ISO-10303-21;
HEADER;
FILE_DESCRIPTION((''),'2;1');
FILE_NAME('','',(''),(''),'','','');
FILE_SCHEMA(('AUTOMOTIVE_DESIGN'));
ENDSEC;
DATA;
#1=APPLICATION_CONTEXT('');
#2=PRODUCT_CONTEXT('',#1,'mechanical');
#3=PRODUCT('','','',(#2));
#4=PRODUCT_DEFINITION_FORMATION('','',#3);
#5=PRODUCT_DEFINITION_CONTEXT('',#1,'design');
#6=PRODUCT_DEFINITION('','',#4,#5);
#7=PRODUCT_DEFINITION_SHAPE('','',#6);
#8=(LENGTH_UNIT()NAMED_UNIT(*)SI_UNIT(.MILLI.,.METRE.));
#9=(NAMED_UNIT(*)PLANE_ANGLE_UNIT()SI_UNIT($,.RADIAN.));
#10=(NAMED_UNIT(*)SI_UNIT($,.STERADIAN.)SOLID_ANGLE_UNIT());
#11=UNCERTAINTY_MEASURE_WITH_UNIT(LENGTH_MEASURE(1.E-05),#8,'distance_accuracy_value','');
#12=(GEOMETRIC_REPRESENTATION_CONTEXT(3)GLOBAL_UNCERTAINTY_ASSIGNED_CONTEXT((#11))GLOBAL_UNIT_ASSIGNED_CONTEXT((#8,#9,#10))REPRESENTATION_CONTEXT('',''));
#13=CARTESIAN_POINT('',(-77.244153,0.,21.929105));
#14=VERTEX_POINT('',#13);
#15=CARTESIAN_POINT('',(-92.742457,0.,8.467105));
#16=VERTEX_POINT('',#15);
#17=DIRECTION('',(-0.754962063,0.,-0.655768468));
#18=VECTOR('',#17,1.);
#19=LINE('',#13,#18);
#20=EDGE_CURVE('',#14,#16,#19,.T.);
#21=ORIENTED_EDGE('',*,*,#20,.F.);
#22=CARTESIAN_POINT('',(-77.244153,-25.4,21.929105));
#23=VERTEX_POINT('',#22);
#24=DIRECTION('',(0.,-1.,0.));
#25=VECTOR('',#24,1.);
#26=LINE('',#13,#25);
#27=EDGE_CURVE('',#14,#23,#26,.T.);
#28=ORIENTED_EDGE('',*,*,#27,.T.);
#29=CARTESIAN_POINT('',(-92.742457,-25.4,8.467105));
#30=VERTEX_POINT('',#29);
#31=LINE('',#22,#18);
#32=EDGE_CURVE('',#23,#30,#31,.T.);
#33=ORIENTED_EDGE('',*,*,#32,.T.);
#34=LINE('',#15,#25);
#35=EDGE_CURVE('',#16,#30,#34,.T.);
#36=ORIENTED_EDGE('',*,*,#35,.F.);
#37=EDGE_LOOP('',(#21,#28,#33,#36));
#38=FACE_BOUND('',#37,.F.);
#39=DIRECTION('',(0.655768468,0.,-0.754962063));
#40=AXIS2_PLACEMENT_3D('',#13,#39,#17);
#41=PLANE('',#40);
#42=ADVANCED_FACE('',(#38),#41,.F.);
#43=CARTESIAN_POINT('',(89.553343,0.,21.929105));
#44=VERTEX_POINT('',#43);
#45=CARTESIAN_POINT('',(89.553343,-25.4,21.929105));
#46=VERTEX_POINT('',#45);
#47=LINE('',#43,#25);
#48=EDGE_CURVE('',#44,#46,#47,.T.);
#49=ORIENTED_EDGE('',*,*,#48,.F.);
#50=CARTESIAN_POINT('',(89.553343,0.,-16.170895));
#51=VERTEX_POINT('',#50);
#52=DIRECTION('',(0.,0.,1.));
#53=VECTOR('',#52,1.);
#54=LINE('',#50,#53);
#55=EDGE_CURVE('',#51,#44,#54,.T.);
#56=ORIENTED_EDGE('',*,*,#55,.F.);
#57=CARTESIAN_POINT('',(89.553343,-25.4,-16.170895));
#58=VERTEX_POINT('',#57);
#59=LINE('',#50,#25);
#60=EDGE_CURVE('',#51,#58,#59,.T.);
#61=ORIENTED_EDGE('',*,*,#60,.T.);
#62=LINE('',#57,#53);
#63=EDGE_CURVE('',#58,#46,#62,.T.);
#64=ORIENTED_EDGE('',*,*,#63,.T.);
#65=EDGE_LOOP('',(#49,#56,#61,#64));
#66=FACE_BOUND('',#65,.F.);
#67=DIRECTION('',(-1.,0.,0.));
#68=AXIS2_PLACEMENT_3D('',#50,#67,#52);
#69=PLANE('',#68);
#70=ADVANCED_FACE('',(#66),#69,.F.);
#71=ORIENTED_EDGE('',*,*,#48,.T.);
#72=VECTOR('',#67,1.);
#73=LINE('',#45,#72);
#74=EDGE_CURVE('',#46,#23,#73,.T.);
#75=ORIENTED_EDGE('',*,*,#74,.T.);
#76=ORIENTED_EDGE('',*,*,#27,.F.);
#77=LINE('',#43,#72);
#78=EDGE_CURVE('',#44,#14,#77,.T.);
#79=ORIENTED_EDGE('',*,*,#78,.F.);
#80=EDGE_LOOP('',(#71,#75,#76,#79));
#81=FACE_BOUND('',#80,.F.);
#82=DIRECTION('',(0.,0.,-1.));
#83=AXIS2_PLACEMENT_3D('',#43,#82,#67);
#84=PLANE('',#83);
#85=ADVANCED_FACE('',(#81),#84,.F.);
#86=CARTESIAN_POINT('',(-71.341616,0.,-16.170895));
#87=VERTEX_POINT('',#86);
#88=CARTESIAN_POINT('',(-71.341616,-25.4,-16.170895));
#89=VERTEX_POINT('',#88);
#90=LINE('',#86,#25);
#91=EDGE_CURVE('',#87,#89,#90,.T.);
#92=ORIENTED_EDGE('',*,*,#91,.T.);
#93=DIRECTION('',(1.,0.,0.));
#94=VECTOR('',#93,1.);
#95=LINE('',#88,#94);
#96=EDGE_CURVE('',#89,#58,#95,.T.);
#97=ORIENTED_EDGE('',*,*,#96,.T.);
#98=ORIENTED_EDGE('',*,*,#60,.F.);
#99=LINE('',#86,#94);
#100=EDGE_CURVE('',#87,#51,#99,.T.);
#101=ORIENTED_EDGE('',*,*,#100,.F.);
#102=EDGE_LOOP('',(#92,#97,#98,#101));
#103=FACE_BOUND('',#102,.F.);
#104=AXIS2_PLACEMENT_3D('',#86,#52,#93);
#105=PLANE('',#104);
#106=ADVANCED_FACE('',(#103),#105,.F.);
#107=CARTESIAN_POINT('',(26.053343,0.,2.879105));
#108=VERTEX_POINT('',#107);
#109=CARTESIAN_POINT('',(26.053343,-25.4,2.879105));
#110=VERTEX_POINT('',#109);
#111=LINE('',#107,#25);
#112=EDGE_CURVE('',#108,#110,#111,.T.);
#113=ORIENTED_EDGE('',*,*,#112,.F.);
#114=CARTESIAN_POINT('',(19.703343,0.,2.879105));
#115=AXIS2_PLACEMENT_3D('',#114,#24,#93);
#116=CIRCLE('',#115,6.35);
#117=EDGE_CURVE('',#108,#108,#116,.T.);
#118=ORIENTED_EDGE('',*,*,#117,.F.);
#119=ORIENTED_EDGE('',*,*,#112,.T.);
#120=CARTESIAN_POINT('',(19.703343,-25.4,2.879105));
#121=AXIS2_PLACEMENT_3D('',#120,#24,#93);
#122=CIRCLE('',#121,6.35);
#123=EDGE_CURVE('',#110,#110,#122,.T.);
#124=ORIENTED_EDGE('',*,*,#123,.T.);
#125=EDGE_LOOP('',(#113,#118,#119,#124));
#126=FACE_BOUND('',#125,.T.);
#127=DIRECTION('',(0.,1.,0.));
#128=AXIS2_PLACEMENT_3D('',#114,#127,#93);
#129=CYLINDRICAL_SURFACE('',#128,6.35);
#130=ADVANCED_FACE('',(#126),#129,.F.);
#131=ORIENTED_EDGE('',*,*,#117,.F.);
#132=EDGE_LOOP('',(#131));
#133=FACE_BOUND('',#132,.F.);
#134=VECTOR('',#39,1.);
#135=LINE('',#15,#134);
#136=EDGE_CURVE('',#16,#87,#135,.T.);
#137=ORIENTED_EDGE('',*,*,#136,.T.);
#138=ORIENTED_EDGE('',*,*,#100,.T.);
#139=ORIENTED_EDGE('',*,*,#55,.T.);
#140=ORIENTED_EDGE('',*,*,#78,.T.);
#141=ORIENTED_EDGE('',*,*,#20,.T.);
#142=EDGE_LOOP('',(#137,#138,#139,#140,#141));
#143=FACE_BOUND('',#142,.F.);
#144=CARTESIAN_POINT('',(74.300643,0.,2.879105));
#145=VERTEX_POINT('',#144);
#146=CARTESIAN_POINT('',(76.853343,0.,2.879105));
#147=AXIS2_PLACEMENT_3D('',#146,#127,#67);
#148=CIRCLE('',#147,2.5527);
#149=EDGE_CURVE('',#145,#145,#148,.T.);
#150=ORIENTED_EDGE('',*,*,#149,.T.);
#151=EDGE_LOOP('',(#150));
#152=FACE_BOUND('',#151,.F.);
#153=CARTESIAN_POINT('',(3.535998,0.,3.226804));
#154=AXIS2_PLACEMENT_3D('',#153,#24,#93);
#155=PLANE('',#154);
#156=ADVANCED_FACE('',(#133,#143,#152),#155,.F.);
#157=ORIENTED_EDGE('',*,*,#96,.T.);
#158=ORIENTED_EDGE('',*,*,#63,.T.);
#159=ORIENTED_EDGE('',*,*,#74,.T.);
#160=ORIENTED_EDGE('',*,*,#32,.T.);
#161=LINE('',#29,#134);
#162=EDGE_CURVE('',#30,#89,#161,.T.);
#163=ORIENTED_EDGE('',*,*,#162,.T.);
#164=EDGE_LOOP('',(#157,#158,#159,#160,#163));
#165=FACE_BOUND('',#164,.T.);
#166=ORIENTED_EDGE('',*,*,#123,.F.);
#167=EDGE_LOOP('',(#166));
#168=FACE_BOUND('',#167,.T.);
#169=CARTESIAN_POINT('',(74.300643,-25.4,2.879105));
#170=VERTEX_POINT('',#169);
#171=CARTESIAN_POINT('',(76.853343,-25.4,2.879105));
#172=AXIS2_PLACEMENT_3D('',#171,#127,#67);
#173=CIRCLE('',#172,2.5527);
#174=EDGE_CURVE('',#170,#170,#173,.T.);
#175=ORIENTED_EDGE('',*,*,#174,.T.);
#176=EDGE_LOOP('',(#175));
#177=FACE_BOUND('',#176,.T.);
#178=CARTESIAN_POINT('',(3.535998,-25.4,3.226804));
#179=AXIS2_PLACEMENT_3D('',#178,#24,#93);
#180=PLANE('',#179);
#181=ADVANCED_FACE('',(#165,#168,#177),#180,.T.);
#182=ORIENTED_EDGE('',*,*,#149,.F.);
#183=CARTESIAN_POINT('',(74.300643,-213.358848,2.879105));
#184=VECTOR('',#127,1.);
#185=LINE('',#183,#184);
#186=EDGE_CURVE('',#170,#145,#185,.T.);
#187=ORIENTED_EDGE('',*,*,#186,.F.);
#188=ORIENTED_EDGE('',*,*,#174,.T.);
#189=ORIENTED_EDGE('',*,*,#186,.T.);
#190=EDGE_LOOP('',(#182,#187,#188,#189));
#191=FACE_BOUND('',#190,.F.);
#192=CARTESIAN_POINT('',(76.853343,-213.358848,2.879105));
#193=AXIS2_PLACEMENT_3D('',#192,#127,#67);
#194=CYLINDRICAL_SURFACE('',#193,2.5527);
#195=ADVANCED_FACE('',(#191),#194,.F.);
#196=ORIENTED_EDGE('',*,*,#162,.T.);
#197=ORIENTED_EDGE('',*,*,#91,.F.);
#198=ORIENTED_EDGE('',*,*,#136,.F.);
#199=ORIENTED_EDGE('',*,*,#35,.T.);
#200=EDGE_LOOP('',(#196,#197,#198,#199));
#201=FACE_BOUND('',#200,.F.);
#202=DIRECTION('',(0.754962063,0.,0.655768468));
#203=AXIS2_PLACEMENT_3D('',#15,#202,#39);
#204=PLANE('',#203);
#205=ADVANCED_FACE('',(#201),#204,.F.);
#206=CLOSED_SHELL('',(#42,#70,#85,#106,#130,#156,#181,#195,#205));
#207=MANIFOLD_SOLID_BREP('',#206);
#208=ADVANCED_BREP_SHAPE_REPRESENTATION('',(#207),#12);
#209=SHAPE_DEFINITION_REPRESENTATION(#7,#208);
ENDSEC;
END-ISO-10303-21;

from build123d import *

# Parameters (mm, degrees)
F0_R     = 6.35
F1_DEPTH = 25.4
F3_D     = 5.1054


with BuildPart() as f1:
    # F0 (on Front) → F1 (new body)
    with BuildSketch(Plane.XZ):
        Polygon((89.5533425674, 21.9291050427), (-77.2441530914, 21.9291050427), (-92.7424574326, 8.4671050427), (-71.3416158504, -16.1708949573), (89.5533425674, -16.1708949573), align=None)
        with Locations((19.7033425674, 2.8791050427)):
            Circle(F0_R, mode=Mode.SUBTRACT)
    extrude(amount=F1_DEPTH)

    # F3 (through all)
    with Locations(Plane.XZ.offset(25.4)):
        with Locations((76.8533425674, 2.8791050427)):
            Hole(F3_D / 2)


solid = f1.part
